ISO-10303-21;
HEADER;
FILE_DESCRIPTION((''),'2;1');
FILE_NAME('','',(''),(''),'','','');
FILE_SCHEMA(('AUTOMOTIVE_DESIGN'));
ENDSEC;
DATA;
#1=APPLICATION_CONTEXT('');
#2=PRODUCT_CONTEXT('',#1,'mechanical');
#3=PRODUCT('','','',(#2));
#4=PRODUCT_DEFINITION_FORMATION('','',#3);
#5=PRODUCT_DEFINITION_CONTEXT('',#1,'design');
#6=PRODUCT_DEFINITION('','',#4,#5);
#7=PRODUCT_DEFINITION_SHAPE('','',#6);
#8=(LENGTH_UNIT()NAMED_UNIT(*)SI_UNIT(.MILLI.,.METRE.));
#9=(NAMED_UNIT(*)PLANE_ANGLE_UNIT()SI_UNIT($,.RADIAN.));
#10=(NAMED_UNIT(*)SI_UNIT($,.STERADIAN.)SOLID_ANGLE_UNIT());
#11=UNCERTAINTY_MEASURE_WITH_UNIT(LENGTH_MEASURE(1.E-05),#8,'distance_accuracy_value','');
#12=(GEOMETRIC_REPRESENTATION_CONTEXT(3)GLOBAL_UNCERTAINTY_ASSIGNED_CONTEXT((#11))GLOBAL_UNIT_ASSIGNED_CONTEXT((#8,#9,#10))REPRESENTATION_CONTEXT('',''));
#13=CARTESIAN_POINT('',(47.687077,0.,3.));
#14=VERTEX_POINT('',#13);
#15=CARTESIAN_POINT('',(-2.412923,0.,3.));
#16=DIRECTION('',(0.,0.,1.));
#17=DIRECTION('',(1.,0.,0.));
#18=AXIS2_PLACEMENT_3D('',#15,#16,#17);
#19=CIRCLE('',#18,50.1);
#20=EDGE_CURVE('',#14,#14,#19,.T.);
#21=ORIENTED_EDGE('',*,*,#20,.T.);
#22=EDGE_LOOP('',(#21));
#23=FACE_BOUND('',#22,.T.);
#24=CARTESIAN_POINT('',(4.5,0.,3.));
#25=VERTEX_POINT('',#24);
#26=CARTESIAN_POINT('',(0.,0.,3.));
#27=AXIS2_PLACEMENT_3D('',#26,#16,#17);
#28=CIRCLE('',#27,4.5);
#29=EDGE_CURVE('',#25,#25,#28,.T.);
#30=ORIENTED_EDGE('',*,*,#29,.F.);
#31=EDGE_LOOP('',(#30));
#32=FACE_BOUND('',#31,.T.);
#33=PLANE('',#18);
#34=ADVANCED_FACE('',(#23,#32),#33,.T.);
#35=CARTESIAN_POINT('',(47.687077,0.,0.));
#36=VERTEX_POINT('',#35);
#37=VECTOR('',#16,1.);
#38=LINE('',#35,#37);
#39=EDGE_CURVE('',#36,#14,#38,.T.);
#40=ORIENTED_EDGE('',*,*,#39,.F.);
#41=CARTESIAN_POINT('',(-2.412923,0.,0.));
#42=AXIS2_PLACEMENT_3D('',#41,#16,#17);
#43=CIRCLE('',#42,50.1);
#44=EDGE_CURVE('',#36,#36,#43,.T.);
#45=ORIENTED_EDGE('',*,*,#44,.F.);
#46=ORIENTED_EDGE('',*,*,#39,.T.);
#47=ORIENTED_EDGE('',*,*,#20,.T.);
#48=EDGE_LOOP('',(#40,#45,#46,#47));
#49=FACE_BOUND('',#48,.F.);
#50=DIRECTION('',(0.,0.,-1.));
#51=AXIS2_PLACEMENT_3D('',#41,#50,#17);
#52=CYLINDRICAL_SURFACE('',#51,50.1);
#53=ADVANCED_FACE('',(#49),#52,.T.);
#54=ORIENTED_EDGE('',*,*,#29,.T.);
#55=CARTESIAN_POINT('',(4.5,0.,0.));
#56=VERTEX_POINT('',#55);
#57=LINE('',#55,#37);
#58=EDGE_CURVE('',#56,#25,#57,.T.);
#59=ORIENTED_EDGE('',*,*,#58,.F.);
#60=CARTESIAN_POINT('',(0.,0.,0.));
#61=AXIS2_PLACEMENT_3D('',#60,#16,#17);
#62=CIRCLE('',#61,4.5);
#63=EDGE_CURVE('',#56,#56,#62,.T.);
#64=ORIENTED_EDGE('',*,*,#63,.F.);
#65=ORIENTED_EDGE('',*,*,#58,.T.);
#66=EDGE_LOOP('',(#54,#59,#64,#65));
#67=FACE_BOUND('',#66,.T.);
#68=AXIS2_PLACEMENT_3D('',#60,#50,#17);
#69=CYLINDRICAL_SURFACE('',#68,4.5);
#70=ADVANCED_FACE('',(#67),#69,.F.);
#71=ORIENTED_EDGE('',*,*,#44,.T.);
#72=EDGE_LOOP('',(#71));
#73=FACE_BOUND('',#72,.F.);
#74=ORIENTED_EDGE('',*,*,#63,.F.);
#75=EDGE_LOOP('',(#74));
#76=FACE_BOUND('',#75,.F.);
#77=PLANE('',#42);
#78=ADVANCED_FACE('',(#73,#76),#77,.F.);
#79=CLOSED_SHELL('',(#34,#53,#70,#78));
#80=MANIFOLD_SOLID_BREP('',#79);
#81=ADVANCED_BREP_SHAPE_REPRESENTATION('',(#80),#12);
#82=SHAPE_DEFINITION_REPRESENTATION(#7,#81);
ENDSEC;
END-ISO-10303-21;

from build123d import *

# Parameters (mm, degrees)
F0_R     = 50.1
F0_R_2   = 4.5
F1_DEPTH = 3


with BuildPart() as f1:
    # F0 (on Top) → F1 (new body)
    with BuildSketch(Plane.XY):
        with Locations((-2.412923, 0)):
            Circle(F0_R)
        Circle(F0_R_2, mode=Mode.SUBTRACT)
    extrude(amount=F1_DEPTH)


solid = f1.part
